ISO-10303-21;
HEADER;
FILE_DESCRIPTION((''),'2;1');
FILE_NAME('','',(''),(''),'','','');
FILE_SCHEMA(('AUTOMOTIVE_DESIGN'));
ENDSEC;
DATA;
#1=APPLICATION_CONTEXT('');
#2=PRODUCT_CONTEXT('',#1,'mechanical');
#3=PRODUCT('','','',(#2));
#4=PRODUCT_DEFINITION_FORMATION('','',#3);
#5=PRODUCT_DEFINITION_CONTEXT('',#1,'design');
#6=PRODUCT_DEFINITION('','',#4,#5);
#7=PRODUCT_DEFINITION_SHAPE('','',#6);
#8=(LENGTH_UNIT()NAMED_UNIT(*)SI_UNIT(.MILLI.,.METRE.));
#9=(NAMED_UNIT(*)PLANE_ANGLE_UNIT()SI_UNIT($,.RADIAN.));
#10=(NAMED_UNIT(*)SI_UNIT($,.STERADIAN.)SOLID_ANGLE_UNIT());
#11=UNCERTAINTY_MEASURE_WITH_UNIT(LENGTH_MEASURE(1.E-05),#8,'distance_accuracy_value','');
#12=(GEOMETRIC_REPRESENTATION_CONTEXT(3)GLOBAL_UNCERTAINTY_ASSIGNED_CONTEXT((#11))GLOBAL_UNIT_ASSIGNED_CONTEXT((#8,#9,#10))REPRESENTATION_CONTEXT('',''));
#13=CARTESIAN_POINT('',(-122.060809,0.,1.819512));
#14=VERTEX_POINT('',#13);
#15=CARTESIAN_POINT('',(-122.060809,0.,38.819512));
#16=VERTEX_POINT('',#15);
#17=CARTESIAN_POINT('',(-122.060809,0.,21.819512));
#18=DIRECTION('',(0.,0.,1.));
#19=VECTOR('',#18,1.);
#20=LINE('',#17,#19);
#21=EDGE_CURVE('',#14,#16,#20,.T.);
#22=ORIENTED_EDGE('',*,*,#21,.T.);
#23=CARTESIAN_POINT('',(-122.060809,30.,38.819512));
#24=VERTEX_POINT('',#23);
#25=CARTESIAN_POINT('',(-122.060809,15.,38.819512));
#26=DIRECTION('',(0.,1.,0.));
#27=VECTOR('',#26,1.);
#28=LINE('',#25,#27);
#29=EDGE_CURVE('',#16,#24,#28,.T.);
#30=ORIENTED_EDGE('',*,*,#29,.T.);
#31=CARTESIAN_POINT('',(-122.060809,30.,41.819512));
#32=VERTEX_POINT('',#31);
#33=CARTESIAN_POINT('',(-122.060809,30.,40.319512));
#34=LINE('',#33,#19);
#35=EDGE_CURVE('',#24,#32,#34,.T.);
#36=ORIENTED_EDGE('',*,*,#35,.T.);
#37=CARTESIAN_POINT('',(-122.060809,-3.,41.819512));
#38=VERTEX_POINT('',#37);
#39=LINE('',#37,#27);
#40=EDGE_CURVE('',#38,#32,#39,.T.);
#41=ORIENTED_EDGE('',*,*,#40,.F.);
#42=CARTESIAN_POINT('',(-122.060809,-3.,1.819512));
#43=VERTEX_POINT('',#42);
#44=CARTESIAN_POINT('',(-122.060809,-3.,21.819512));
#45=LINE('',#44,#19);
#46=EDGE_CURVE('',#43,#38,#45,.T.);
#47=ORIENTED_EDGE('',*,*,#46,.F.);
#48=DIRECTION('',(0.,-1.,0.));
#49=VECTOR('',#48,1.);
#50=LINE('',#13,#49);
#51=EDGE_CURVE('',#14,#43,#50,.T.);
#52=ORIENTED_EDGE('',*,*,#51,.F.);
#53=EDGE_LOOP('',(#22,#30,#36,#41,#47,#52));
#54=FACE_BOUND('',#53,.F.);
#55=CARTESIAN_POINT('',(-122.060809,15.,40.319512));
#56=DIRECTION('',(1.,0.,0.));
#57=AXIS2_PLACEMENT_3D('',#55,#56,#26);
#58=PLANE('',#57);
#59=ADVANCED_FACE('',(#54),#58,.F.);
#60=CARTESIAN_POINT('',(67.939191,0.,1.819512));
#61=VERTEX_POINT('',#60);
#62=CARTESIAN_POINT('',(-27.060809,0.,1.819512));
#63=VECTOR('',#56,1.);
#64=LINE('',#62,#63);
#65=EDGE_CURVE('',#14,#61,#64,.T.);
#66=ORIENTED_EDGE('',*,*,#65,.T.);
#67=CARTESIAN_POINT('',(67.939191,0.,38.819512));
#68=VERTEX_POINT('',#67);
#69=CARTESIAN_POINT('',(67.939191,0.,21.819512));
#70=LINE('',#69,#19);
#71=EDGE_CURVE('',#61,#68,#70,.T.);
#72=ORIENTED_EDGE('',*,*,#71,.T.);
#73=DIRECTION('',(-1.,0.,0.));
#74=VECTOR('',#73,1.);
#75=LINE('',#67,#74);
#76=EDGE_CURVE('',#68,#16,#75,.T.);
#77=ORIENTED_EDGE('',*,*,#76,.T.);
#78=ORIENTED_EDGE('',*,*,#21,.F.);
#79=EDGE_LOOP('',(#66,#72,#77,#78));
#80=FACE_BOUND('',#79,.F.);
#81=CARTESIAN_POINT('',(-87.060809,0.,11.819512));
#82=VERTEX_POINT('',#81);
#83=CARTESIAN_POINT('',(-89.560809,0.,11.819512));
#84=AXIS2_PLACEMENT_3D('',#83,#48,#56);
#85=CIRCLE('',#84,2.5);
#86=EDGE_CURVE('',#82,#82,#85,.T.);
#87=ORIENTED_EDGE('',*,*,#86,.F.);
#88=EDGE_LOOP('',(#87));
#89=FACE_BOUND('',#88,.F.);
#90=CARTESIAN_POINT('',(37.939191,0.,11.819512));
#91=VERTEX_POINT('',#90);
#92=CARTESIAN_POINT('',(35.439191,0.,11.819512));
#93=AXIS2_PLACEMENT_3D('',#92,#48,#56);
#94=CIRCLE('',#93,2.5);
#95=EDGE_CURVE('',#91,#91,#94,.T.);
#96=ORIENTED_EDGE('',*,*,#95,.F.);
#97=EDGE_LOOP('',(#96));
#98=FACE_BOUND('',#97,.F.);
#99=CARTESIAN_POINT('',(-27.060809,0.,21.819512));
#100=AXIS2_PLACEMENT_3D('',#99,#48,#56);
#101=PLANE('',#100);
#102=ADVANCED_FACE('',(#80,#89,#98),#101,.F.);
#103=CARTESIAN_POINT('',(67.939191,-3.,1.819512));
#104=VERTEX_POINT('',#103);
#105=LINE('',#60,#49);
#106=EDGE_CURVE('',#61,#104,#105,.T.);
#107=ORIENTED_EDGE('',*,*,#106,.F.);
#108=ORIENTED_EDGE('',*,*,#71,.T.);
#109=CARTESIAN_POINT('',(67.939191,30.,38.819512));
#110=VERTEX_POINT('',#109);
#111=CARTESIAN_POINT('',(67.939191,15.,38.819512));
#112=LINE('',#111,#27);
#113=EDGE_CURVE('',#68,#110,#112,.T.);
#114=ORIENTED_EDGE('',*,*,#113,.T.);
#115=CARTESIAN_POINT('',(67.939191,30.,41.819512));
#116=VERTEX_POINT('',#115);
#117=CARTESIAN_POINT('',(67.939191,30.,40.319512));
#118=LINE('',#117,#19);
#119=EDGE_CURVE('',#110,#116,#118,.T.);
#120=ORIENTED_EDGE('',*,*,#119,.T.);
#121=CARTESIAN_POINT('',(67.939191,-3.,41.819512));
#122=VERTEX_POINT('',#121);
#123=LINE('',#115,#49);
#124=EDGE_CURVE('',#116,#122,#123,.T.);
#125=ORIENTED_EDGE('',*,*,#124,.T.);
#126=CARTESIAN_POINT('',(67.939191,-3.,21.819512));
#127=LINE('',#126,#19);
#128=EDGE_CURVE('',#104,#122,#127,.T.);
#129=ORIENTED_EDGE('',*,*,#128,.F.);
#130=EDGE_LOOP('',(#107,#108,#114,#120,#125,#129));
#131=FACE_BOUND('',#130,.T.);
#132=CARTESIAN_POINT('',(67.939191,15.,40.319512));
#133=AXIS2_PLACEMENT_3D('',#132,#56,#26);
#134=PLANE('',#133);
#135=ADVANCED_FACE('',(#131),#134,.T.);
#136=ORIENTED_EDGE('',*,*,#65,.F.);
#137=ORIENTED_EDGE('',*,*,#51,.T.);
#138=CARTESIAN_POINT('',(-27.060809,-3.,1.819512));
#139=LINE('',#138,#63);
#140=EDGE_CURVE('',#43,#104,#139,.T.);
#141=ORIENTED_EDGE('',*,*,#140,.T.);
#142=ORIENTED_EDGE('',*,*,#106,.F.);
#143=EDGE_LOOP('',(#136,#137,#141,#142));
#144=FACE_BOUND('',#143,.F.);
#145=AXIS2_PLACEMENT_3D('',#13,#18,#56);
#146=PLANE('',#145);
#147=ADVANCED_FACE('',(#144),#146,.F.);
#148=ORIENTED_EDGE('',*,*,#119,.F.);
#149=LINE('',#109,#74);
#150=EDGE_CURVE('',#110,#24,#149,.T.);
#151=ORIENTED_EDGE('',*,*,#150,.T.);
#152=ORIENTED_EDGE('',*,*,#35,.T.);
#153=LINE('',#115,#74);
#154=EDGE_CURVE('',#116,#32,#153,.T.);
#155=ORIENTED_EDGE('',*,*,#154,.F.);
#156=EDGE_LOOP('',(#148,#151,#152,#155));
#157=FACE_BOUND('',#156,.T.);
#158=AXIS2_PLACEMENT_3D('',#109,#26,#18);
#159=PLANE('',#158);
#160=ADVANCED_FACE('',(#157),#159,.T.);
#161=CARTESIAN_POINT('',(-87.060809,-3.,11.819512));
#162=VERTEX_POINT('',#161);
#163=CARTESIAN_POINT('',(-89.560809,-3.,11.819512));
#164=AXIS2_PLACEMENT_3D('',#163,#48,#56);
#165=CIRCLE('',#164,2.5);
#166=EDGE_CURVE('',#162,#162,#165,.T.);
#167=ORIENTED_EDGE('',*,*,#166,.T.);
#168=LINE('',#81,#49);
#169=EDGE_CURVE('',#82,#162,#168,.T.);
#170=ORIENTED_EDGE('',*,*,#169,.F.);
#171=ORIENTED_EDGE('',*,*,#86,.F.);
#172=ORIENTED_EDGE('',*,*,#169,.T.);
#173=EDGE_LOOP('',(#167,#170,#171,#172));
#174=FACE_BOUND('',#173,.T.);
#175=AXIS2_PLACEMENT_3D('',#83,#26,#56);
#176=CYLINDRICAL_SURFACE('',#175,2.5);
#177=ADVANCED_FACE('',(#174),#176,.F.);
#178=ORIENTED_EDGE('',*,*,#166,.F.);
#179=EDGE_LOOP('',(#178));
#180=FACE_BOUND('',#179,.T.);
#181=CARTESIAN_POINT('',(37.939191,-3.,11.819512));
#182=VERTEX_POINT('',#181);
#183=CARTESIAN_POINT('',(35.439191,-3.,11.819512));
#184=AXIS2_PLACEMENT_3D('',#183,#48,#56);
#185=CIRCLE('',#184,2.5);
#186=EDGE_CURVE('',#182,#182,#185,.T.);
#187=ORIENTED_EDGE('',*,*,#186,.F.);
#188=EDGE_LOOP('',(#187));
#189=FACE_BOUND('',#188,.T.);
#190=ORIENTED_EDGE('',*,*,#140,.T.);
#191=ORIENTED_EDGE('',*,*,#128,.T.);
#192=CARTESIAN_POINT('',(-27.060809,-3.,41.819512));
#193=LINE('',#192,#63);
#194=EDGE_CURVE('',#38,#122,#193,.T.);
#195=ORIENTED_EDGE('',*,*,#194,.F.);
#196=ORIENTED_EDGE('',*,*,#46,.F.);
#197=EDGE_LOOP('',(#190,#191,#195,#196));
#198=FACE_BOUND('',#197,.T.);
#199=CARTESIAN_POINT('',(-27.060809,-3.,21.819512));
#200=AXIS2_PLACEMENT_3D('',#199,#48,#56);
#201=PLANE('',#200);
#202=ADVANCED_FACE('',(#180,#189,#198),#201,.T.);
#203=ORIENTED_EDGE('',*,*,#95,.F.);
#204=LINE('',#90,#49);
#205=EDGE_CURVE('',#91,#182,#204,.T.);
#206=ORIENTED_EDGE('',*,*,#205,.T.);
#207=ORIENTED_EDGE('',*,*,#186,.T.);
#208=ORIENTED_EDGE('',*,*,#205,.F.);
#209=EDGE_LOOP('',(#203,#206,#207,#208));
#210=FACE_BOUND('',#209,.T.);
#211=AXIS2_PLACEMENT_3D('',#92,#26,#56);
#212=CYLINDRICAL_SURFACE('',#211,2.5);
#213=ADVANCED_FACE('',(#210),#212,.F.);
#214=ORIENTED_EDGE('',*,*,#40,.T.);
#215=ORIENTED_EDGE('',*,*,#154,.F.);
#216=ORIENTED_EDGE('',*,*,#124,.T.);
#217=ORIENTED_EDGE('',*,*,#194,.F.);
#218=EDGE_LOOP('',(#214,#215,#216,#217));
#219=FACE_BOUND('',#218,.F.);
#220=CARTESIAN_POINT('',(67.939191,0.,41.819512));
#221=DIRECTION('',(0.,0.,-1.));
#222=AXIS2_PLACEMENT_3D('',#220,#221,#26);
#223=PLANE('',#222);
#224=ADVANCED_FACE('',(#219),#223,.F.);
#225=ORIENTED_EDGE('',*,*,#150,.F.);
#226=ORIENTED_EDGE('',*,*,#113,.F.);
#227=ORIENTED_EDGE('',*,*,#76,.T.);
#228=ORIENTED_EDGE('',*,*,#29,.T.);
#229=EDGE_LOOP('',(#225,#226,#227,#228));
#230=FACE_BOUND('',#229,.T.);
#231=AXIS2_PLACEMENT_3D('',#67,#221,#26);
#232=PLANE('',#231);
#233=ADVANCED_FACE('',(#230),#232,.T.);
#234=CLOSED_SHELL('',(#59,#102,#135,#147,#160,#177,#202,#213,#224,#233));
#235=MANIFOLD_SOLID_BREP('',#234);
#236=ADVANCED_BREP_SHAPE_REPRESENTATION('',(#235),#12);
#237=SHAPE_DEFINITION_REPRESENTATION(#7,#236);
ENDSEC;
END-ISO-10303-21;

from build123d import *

# Parameters (mm, degrees)
F0_W     = 190
F0_H     = 40
F0_R     = 2.5
F1_DEPTH = 3
F2_W     = 30
F2_H     = 3
F3_DEPTH = 190


with BuildPart() as f1:
    # F0 (on Front) → F1 (new body)
    with BuildSketch(Plane.XZ):
        with Locations((-27.060809, 21.819512)):
            Rectangle(F0_W, F0_H)
        with Locations((-89.560809, 11.819512)):
            Circle(F0_R, mode=Mode.SUBTRACT)
        with Locations((35.439191, 11.819512)):
            Circle(F0_R, mode=Mode.SUBTRACT)
    extrude(amount=F1_DEPTH)

    # F2 (on face) → F3 (join, through all)
    with BuildSketch(Plane.YZ.offset(67.939191)):
        with Locations((15, 40.319512)):
            Rectangle(F2_W, F2_H)
    extrude(amount=-F3_DEPTH)


solid = f1.part
